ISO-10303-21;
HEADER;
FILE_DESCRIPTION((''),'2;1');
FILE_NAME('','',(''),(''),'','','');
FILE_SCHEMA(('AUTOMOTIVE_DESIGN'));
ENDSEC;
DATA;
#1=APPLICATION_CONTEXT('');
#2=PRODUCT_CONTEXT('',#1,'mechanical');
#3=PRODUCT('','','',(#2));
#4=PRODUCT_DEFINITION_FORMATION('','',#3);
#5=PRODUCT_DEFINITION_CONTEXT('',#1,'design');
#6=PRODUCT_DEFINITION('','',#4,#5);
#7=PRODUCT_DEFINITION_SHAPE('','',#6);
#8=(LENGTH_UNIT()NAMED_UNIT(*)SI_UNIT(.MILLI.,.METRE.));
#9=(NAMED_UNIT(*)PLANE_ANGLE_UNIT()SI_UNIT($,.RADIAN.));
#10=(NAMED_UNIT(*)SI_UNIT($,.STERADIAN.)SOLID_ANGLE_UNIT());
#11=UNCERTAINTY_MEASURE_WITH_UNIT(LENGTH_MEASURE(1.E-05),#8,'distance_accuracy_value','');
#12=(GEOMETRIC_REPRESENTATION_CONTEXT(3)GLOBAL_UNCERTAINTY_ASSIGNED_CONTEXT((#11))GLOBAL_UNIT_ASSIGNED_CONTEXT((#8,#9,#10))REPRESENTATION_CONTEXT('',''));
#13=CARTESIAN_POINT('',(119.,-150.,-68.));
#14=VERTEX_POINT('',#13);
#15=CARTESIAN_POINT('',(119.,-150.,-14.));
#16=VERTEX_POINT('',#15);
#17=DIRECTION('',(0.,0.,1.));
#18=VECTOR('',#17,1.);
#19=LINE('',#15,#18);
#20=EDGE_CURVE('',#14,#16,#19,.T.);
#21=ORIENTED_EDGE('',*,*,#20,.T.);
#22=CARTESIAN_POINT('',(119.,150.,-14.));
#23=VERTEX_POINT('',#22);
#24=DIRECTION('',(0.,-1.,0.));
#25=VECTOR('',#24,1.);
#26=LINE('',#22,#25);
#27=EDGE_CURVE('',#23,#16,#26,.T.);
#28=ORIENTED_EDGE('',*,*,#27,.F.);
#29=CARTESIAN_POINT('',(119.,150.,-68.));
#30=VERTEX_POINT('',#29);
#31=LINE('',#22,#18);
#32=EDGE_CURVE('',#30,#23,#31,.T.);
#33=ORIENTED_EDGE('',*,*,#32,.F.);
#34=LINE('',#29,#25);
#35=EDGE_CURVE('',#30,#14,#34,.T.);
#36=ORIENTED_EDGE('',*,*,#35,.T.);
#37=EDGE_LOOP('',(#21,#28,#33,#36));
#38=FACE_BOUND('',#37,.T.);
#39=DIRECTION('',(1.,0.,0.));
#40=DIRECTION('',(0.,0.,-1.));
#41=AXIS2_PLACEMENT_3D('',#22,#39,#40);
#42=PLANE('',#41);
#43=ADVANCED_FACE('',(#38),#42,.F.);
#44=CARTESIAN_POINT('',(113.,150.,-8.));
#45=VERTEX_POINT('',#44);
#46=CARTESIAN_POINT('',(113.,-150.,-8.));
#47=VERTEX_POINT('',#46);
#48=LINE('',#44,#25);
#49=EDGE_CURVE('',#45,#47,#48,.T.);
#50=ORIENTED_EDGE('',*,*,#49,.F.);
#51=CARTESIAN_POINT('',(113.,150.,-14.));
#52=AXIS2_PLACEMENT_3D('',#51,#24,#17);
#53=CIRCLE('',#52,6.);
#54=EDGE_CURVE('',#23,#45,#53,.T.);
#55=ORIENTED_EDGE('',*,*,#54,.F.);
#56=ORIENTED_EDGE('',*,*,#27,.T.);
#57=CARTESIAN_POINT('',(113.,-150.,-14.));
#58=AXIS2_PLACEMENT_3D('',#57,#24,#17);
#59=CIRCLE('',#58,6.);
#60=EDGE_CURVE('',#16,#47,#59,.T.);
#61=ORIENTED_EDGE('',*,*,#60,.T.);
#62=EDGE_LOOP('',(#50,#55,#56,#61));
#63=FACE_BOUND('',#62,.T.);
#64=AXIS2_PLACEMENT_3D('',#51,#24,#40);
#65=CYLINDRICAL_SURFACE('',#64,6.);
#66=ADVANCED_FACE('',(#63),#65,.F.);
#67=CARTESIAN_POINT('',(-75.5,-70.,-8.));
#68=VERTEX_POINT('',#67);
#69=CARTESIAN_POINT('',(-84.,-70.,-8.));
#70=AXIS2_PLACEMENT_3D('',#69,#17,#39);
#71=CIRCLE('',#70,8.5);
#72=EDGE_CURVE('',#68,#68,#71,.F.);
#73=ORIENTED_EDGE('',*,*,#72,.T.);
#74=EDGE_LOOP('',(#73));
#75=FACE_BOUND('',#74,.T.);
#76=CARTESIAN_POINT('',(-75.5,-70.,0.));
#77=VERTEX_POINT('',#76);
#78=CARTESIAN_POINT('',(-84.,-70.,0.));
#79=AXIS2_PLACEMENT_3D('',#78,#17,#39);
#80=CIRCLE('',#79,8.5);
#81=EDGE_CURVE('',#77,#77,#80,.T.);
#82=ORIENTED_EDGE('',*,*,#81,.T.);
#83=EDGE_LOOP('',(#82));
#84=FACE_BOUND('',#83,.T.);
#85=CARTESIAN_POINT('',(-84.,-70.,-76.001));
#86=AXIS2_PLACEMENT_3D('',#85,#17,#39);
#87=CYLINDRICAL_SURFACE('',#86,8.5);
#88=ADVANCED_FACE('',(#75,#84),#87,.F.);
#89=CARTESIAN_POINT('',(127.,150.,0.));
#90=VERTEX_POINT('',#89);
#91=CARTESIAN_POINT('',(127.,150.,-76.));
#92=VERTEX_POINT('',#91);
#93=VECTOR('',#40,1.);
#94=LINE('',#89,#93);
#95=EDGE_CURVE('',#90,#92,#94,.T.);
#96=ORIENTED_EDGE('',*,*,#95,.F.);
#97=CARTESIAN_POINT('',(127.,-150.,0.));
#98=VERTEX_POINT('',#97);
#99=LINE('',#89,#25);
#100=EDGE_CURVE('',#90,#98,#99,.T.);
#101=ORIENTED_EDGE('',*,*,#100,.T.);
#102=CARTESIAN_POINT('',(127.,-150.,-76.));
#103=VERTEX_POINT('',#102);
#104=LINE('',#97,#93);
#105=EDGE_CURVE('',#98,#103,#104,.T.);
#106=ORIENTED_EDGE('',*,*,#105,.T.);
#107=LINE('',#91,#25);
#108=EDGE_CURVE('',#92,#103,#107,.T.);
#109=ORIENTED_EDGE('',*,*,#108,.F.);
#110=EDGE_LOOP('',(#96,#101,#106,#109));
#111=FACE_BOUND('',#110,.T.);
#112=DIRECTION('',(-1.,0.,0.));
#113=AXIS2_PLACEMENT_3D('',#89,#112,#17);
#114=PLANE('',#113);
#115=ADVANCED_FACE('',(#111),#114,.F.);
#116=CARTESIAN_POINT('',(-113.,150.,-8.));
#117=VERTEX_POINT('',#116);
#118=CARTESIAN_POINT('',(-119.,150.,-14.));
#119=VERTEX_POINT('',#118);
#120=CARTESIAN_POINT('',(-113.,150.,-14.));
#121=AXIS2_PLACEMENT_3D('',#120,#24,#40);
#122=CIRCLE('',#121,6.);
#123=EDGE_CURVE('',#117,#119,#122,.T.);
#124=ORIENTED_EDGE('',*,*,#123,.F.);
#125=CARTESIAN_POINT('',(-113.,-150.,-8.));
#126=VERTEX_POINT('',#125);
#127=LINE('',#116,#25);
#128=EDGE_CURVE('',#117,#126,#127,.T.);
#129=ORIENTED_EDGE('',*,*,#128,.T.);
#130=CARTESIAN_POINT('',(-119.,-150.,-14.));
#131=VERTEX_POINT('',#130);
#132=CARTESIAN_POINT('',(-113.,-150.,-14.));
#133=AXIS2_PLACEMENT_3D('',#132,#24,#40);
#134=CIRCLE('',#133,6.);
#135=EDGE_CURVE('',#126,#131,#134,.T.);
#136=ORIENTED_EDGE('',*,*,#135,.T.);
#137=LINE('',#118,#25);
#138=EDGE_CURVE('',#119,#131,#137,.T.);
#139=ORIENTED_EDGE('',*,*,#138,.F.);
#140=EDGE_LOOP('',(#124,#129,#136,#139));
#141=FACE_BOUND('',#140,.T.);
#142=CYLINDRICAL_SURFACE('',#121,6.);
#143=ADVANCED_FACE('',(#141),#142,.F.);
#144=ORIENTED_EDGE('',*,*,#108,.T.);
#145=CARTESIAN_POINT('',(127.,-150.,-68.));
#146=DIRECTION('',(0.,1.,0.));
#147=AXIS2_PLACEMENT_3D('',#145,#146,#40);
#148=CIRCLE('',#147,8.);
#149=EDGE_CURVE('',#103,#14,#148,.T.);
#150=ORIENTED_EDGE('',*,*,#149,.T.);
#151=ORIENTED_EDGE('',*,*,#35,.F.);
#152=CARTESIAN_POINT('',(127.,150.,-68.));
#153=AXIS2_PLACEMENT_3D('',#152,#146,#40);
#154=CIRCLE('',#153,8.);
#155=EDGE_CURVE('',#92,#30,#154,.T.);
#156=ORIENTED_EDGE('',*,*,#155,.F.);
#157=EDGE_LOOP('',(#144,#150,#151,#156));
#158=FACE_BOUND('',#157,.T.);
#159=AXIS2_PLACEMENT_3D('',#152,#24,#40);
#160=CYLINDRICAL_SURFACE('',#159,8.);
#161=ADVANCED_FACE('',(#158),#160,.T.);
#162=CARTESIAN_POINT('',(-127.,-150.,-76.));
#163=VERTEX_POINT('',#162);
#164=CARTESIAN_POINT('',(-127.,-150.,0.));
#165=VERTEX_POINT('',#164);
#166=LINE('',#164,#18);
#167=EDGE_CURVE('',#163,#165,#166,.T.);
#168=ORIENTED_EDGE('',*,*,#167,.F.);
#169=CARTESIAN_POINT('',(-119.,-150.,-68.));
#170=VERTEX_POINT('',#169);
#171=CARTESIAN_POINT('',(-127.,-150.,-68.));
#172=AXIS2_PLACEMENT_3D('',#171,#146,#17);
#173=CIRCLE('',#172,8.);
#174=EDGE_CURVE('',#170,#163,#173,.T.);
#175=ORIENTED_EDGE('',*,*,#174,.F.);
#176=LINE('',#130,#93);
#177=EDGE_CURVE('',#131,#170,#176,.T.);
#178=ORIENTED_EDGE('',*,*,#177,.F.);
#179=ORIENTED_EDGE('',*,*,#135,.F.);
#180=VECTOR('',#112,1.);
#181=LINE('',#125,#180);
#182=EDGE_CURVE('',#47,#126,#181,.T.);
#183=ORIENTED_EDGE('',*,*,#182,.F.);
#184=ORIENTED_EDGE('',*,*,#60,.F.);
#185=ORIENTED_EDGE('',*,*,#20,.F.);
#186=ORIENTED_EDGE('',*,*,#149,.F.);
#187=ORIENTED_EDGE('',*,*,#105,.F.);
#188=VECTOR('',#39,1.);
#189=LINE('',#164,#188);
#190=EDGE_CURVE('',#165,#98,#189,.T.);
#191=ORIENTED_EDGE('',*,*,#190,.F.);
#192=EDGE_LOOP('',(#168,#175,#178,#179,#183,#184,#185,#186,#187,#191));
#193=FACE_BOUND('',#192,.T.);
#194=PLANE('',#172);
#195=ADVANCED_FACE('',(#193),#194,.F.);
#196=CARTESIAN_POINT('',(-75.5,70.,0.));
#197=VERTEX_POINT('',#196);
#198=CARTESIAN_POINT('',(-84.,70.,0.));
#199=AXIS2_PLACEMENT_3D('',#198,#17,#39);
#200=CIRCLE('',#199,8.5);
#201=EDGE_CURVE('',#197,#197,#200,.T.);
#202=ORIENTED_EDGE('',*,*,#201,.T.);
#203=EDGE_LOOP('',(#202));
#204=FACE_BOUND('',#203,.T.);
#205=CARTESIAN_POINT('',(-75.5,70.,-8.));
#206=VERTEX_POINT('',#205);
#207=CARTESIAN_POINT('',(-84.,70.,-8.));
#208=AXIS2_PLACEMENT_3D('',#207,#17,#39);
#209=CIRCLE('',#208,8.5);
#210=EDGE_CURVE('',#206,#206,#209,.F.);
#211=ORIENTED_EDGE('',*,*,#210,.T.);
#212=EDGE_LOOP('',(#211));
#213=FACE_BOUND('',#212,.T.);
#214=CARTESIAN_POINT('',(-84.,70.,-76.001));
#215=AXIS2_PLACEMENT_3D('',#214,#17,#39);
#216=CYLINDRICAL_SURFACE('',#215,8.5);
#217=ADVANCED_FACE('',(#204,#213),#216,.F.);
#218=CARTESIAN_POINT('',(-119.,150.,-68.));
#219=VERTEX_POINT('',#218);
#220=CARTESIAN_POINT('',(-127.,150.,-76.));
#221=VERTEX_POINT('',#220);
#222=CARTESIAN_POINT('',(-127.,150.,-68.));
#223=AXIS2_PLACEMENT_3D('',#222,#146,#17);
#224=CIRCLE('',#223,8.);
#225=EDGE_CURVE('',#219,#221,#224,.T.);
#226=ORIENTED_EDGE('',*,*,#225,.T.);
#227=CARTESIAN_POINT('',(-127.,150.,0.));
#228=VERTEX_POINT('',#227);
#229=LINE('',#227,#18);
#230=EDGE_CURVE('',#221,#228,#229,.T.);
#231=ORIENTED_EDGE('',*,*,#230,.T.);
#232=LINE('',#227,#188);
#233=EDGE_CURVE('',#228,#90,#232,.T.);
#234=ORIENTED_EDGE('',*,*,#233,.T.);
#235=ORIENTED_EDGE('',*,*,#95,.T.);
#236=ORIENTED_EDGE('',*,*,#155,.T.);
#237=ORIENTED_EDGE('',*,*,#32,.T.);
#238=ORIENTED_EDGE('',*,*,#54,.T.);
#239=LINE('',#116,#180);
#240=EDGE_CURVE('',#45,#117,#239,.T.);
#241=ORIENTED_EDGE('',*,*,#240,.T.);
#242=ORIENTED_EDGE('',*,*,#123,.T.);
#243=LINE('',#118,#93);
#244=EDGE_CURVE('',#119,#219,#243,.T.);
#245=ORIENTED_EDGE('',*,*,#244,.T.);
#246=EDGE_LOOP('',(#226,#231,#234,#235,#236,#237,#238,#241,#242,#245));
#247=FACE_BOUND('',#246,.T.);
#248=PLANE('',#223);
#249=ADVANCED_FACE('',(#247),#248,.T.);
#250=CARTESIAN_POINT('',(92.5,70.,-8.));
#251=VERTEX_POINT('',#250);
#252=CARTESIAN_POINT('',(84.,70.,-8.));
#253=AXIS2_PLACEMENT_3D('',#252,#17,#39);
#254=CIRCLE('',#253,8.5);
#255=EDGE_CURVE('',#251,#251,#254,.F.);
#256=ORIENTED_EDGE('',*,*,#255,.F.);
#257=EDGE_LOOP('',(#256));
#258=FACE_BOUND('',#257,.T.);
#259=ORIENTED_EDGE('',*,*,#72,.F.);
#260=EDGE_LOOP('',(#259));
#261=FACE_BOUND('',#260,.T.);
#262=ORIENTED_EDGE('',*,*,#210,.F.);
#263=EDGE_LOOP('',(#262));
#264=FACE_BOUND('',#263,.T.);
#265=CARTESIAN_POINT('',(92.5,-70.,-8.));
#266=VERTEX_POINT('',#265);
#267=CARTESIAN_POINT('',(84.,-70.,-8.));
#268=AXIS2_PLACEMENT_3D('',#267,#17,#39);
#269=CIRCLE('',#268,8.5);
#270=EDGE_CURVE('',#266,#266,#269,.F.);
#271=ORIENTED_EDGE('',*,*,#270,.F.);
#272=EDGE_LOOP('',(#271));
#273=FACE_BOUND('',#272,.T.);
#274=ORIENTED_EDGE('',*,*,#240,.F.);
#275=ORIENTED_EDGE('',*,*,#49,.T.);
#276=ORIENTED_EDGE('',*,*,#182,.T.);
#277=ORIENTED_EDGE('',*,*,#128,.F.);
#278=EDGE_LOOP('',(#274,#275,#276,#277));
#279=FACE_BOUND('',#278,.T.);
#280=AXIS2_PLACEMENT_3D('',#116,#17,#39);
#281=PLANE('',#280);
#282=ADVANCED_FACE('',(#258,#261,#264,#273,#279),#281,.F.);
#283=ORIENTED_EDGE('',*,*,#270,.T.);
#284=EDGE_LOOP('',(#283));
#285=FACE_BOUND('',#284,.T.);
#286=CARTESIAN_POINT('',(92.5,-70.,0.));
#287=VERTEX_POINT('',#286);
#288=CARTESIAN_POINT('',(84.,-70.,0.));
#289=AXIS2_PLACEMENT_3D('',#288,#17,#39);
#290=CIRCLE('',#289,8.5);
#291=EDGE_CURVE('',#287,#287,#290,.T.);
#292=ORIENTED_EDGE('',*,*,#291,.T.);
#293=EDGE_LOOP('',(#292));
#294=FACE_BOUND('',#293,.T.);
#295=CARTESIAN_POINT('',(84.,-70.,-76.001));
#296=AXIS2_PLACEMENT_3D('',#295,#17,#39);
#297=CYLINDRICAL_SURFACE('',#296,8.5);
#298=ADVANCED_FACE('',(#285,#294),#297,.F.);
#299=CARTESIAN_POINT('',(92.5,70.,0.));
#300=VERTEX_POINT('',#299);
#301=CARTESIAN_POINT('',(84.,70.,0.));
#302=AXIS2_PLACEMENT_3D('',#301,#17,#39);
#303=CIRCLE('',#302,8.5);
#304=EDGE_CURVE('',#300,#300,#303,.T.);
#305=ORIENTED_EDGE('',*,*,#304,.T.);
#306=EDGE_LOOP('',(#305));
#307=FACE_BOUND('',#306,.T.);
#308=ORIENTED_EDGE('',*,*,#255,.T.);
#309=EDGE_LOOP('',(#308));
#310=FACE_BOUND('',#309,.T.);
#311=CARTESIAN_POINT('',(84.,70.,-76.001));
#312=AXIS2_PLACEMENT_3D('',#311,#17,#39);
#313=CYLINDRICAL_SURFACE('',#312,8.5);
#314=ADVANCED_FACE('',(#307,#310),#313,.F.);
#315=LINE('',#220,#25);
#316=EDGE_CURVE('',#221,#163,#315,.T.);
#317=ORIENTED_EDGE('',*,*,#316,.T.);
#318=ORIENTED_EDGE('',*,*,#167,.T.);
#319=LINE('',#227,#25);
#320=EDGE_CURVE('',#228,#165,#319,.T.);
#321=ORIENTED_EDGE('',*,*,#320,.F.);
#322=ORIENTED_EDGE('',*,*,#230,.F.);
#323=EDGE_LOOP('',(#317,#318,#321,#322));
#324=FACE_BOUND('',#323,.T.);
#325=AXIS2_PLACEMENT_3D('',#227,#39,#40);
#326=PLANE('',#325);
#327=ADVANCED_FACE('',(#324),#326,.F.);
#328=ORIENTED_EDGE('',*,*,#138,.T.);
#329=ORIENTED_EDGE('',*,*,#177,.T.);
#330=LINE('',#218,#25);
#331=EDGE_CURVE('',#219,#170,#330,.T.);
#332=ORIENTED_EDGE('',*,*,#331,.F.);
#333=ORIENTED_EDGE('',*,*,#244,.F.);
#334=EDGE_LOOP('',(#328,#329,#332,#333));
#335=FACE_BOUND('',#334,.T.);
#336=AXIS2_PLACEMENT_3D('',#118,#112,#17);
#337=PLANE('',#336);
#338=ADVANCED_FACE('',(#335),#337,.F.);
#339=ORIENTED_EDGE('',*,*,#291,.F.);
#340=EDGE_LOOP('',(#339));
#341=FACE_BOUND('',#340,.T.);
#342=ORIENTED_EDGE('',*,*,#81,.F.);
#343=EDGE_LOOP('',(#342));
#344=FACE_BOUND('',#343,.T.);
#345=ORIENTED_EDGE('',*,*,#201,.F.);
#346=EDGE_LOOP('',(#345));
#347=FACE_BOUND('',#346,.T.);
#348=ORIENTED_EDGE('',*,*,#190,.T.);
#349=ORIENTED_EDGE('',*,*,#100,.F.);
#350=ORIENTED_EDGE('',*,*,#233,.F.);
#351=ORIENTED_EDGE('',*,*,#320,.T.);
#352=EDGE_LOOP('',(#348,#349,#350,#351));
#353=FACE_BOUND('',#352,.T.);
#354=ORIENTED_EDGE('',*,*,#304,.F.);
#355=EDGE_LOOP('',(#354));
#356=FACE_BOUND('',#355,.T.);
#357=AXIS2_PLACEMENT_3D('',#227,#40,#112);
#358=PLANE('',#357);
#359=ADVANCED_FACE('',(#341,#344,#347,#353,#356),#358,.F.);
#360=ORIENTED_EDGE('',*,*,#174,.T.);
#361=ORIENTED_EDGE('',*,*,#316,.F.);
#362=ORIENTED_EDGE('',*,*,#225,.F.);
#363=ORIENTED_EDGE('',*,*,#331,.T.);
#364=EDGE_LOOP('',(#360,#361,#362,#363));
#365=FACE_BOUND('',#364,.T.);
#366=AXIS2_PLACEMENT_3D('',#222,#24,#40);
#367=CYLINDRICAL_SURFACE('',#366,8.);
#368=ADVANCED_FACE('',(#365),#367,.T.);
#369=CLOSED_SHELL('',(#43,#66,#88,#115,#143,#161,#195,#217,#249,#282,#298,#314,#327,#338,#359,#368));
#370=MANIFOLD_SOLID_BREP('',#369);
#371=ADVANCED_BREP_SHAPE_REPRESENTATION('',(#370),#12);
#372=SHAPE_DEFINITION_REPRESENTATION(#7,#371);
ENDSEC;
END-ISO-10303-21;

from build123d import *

# Parameters (mm, degrees)
EXTRUDE1_DEPTH     = 150
CUT_EXTRUDE1_REACH = 78
SKETCH2_R          = 8.5


with BuildPart() as part:
    # Sketch1 → Extrude1 (new body, symmetric)
    with BuildSketch(Plane(origin=(0, 0, 0), x_dir=(1, 0, 0), z_dir=(0, 1, 0))):
        with BuildLine():
            Line((-127, 0), (127, 0))
            Line((127, 0), (127, 76))
            ThreePointArc((127, 76), (121.343145751, 73.656854249), (119, 68))
            Line((119, 68), (119, 14))
            ThreePointArc((119, 14), (117.242640687, 9.757359313), (113, 8))
            Line((113, 8), (-113, 8))
            ThreePointArc((-113, 8), (-117.242640687, 9.757359313), (-119, 14))
            Line((-119, 14), (-119, 68))
            ThreePointArc((-119, 68), (-121.343145751, 73.656854249), (-127, 76))
            Line((-127, 76), (-127, 0))
        make_face()
    extrude(amount=EXTRUDE1_DEPTH, both=True)

    # Sketch2 → Cut-Extrude1 (cut, up to next)
    with BuildSketch(Plane.XY, mode=Mode.PRIVATE) as cut_extrude1_sk1:
        with Locations((84, 70)):
            Circle(SKETCH2_R)
    cut_extrude1_tool1 = extrude(cut_extrude1_sk1.sketch, amount=-CUT_EXTRUDE1_REACH, mode=Mode.PRIVATE) & part.part
    add(cut_extrude1_tool1.solids().sort_by_distance((84, 70, 0))[0], mode=Mode.SUBTRACT)
    # Sketch2 → Cut-Extrude1 (cut, up to next)
    with BuildSketch(Plane.XY, mode=Mode.PRIVATE) as cut_extrude1_sk2:
        with Locations((-84, 70)):
            Circle(SKETCH2_R)
    cut_extrude1_tool2 = extrude(cut_extrude1_sk2.sketch, amount=-CUT_EXTRUDE1_REACH, mode=Mode.PRIVATE) & part.part
    add(cut_extrude1_tool2.solids().sort_by_distance((-84, 70, 0))[0], mode=Mode.SUBTRACT)
    # Sketch2 → Cut-Extrude1 (cut, up to next)
    with BuildSketch(Plane.XY, mode=Mode.PRIVATE) as cut_extrude1_sk3:
        with Locations((-84, -70)):
            Circle(SKETCH2_R)
    cut_extrude1_tool3 = extrude(cut_extrude1_sk3.sketch, amount=-CUT_EXTRUDE1_REACH, mode=Mode.PRIVATE) & part.part
    add(cut_extrude1_tool3.solids().sort_by_distance((-84, -70, 0))[0], mode=Mode.SUBTRACT)
    # Sketch2 → Cut-Extrude1 (cut, up to next)
    with BuildSketch(Plane.XY, mode=Mode.PRIVATE) as cut_extrude1_sk4:
        with Locations((84, -70)):
            Circle(SKETCH2_R)
    cut_extrude1_tool4 = extrude(cut_extrude1_sk4.sketch, amount=-CUT_EXTRUDE1_REACH, mode=Mode.PRIVATE) & part.part
    add(cut_extrude1_tool4.solids().sort_by_distance((84, -70, 0))[0], mode=Mode.SUBTRACT)


solid = part.part
